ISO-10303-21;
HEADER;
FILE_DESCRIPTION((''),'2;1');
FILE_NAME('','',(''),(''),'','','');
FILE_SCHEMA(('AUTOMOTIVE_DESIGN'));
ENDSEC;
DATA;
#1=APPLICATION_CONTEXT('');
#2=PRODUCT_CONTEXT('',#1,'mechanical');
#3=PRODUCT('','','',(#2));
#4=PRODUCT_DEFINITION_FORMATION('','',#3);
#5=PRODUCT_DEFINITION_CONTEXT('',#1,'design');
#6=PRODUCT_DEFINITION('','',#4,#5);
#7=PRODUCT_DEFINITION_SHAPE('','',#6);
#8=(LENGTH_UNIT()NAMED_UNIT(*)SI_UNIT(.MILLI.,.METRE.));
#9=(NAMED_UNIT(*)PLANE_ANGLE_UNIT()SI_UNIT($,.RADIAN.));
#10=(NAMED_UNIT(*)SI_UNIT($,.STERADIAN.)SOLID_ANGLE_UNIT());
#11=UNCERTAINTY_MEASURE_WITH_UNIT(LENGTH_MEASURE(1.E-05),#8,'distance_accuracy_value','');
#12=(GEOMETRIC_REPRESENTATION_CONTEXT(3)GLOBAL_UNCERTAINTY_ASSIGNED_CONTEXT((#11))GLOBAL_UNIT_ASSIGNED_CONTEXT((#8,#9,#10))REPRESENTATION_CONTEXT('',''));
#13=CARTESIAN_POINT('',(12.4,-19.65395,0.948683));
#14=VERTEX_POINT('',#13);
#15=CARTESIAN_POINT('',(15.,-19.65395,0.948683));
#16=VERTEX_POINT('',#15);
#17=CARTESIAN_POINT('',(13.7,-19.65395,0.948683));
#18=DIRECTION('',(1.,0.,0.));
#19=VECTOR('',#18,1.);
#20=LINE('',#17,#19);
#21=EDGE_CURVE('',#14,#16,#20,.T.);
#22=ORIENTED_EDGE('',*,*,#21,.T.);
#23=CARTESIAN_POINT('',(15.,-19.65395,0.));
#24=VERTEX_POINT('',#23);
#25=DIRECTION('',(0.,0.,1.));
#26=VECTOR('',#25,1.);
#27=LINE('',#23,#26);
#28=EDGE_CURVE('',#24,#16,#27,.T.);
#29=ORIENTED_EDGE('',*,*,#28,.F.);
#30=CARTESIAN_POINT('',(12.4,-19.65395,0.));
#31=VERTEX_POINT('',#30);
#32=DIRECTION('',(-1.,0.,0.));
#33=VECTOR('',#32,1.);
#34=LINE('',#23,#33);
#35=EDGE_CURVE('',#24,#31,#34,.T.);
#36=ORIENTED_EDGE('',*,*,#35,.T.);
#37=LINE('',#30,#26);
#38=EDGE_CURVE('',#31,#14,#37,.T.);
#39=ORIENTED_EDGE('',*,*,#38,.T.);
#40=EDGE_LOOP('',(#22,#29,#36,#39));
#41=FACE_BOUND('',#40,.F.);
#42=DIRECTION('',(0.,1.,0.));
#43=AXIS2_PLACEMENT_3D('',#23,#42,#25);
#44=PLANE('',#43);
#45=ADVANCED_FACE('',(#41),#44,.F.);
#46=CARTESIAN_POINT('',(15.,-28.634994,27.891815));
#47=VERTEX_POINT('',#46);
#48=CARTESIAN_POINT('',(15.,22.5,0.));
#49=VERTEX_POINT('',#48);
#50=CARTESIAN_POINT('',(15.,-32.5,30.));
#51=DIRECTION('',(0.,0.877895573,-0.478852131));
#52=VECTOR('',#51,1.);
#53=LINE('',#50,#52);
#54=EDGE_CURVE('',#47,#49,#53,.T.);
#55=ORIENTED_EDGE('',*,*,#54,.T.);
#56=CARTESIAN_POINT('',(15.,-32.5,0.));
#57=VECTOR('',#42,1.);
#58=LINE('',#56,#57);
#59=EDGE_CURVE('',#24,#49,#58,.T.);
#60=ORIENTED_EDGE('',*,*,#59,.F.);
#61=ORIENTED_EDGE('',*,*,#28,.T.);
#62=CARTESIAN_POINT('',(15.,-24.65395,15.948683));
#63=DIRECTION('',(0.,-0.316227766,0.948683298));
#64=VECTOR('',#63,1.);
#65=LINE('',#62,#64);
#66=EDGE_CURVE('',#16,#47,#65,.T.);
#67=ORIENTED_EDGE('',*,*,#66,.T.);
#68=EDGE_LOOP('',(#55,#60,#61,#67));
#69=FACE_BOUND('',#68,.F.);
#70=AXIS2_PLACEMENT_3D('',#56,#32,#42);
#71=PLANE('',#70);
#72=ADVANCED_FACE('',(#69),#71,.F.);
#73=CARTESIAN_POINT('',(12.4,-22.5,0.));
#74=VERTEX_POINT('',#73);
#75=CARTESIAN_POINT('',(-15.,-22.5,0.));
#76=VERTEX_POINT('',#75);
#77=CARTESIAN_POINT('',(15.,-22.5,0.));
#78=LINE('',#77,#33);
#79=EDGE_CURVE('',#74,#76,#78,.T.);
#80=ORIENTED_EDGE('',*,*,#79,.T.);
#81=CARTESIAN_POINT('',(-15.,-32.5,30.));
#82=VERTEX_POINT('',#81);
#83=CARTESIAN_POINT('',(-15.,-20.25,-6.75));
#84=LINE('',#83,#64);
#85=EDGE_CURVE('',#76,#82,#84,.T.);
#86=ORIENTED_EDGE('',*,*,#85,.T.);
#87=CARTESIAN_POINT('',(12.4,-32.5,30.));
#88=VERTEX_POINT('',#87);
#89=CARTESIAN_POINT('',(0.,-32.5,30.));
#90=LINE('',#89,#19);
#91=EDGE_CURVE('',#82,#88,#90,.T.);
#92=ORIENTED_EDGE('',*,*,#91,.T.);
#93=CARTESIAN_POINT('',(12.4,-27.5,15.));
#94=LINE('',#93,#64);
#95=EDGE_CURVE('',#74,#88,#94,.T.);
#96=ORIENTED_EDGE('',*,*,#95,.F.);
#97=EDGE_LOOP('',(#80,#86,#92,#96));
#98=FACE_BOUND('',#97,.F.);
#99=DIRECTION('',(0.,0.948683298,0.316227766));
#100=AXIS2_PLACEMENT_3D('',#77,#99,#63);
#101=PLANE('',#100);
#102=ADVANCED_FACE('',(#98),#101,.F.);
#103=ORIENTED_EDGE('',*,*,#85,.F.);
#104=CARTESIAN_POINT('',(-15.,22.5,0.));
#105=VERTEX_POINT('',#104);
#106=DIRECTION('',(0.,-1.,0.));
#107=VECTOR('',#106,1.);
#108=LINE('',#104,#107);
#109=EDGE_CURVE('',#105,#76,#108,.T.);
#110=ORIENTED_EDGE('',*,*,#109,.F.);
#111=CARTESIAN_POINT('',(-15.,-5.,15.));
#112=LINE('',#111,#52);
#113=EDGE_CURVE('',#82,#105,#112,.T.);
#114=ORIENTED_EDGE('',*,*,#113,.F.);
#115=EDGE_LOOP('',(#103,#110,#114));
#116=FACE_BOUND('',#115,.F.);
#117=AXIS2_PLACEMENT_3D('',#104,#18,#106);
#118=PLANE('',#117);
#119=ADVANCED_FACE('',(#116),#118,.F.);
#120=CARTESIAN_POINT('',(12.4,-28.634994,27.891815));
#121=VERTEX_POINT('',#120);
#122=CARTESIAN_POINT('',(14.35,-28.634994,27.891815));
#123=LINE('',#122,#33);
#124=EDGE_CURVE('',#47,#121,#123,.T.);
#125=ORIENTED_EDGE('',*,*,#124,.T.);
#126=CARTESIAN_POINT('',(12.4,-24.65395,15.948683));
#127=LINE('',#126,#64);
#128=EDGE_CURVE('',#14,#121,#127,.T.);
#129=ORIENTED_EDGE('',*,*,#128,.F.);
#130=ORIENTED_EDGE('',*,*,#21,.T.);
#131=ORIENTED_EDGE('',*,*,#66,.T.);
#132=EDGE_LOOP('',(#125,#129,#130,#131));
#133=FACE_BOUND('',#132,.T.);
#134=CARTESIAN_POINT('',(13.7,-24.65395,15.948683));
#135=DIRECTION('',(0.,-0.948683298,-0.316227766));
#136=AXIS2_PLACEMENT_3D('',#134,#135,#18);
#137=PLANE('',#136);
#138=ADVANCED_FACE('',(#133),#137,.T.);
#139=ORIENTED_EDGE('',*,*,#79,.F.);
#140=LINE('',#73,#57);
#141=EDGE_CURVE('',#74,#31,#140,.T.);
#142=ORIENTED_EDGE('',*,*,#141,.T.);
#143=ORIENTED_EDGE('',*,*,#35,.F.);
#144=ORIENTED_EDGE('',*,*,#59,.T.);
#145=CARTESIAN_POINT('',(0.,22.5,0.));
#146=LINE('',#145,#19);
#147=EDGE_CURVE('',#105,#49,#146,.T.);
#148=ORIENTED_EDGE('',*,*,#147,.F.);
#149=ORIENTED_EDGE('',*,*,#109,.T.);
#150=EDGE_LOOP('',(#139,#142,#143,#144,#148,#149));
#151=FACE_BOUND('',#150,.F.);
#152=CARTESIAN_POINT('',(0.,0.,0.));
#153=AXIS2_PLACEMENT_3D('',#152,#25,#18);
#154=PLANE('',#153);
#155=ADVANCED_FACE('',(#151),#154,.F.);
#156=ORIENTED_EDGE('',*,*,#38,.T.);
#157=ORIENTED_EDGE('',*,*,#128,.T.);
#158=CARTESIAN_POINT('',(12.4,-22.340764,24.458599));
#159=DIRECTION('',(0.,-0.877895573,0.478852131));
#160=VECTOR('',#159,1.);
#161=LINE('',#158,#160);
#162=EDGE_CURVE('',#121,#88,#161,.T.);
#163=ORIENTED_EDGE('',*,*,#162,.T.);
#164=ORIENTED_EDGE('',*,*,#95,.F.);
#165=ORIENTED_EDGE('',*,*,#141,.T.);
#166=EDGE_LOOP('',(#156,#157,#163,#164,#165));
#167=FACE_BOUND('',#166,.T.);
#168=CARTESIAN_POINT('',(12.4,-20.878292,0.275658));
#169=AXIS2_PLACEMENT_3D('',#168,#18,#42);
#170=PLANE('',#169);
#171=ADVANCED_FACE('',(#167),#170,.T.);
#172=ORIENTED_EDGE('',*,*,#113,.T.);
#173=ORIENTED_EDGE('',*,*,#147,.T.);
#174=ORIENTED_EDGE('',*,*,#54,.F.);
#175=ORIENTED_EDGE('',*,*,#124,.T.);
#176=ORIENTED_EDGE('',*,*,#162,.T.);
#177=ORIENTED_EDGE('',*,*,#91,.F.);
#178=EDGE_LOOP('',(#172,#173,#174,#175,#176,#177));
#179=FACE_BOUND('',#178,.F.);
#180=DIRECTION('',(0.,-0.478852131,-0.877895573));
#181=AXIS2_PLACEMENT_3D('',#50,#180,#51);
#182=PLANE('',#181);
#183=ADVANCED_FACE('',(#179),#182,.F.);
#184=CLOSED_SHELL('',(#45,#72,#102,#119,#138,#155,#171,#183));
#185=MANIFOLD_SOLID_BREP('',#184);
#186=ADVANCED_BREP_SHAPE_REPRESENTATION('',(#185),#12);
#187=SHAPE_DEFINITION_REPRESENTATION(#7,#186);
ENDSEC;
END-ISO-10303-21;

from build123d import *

# Parameters (mm, degrees)
F0_W     = 30
F0_H     = 45
F0_H_2   = 10
F1_DEPTH = 30
F3_DEPTH = 30.001
F4_W     = 2.6
F4_H     = 31.6227766017
F5_DEPTH = 3
F7_DEPTH = 2.6


with BuildPart() as f1:
    # F0 (on Top) → F1 (new body)
    with BuildSketch(Plane.XY):
        Rectangle(F0_W, F0_H)
        with Locations((0, -27.5)):
            Rectangle(F0_W, F0_H_2)
    extrude(amount=F1_DEPTH)

    # F2 (on face) → F3 (cut, through all)
    with BuildSketch(Plane.YZ.offset(15)):
        Polygon((-32.5, 0), (-22.5, 0), (-32.5, 30), align=None)
        Polygon((22.5, 30), (-32.5, 30), (22.5, 0), align=None)
    extrude(amount=-F3_DEPTH, mode=Mode.SUBTRACT)

    # F4 (on face) → F5 (cut)
    with BuildSketch(Plane(origin=(0, -20.25, -6.75), x_dir=(1, 0, 0), z_dir=(0, -0.9486832981, -0.316227766))):
        with Locations((13.7, 22.9265130362)):
            Rectangle(F4_W, F4_H)
    extrude(amount=-F5_DEPTH, mode=Mode.SUBTRACT)

    # F6 (on face) → F7 (cut)
    with BuildSketch(Plane.YZ.offset(15)):
        Polygon((-19.6539501058, 0), (-19.6539501058, 0.9486832981), (-22.5, 0), align=None)
    extrude(amount=-F7_DEPTH, mode=Mode.SUBTRACT)


solid = f1.part
